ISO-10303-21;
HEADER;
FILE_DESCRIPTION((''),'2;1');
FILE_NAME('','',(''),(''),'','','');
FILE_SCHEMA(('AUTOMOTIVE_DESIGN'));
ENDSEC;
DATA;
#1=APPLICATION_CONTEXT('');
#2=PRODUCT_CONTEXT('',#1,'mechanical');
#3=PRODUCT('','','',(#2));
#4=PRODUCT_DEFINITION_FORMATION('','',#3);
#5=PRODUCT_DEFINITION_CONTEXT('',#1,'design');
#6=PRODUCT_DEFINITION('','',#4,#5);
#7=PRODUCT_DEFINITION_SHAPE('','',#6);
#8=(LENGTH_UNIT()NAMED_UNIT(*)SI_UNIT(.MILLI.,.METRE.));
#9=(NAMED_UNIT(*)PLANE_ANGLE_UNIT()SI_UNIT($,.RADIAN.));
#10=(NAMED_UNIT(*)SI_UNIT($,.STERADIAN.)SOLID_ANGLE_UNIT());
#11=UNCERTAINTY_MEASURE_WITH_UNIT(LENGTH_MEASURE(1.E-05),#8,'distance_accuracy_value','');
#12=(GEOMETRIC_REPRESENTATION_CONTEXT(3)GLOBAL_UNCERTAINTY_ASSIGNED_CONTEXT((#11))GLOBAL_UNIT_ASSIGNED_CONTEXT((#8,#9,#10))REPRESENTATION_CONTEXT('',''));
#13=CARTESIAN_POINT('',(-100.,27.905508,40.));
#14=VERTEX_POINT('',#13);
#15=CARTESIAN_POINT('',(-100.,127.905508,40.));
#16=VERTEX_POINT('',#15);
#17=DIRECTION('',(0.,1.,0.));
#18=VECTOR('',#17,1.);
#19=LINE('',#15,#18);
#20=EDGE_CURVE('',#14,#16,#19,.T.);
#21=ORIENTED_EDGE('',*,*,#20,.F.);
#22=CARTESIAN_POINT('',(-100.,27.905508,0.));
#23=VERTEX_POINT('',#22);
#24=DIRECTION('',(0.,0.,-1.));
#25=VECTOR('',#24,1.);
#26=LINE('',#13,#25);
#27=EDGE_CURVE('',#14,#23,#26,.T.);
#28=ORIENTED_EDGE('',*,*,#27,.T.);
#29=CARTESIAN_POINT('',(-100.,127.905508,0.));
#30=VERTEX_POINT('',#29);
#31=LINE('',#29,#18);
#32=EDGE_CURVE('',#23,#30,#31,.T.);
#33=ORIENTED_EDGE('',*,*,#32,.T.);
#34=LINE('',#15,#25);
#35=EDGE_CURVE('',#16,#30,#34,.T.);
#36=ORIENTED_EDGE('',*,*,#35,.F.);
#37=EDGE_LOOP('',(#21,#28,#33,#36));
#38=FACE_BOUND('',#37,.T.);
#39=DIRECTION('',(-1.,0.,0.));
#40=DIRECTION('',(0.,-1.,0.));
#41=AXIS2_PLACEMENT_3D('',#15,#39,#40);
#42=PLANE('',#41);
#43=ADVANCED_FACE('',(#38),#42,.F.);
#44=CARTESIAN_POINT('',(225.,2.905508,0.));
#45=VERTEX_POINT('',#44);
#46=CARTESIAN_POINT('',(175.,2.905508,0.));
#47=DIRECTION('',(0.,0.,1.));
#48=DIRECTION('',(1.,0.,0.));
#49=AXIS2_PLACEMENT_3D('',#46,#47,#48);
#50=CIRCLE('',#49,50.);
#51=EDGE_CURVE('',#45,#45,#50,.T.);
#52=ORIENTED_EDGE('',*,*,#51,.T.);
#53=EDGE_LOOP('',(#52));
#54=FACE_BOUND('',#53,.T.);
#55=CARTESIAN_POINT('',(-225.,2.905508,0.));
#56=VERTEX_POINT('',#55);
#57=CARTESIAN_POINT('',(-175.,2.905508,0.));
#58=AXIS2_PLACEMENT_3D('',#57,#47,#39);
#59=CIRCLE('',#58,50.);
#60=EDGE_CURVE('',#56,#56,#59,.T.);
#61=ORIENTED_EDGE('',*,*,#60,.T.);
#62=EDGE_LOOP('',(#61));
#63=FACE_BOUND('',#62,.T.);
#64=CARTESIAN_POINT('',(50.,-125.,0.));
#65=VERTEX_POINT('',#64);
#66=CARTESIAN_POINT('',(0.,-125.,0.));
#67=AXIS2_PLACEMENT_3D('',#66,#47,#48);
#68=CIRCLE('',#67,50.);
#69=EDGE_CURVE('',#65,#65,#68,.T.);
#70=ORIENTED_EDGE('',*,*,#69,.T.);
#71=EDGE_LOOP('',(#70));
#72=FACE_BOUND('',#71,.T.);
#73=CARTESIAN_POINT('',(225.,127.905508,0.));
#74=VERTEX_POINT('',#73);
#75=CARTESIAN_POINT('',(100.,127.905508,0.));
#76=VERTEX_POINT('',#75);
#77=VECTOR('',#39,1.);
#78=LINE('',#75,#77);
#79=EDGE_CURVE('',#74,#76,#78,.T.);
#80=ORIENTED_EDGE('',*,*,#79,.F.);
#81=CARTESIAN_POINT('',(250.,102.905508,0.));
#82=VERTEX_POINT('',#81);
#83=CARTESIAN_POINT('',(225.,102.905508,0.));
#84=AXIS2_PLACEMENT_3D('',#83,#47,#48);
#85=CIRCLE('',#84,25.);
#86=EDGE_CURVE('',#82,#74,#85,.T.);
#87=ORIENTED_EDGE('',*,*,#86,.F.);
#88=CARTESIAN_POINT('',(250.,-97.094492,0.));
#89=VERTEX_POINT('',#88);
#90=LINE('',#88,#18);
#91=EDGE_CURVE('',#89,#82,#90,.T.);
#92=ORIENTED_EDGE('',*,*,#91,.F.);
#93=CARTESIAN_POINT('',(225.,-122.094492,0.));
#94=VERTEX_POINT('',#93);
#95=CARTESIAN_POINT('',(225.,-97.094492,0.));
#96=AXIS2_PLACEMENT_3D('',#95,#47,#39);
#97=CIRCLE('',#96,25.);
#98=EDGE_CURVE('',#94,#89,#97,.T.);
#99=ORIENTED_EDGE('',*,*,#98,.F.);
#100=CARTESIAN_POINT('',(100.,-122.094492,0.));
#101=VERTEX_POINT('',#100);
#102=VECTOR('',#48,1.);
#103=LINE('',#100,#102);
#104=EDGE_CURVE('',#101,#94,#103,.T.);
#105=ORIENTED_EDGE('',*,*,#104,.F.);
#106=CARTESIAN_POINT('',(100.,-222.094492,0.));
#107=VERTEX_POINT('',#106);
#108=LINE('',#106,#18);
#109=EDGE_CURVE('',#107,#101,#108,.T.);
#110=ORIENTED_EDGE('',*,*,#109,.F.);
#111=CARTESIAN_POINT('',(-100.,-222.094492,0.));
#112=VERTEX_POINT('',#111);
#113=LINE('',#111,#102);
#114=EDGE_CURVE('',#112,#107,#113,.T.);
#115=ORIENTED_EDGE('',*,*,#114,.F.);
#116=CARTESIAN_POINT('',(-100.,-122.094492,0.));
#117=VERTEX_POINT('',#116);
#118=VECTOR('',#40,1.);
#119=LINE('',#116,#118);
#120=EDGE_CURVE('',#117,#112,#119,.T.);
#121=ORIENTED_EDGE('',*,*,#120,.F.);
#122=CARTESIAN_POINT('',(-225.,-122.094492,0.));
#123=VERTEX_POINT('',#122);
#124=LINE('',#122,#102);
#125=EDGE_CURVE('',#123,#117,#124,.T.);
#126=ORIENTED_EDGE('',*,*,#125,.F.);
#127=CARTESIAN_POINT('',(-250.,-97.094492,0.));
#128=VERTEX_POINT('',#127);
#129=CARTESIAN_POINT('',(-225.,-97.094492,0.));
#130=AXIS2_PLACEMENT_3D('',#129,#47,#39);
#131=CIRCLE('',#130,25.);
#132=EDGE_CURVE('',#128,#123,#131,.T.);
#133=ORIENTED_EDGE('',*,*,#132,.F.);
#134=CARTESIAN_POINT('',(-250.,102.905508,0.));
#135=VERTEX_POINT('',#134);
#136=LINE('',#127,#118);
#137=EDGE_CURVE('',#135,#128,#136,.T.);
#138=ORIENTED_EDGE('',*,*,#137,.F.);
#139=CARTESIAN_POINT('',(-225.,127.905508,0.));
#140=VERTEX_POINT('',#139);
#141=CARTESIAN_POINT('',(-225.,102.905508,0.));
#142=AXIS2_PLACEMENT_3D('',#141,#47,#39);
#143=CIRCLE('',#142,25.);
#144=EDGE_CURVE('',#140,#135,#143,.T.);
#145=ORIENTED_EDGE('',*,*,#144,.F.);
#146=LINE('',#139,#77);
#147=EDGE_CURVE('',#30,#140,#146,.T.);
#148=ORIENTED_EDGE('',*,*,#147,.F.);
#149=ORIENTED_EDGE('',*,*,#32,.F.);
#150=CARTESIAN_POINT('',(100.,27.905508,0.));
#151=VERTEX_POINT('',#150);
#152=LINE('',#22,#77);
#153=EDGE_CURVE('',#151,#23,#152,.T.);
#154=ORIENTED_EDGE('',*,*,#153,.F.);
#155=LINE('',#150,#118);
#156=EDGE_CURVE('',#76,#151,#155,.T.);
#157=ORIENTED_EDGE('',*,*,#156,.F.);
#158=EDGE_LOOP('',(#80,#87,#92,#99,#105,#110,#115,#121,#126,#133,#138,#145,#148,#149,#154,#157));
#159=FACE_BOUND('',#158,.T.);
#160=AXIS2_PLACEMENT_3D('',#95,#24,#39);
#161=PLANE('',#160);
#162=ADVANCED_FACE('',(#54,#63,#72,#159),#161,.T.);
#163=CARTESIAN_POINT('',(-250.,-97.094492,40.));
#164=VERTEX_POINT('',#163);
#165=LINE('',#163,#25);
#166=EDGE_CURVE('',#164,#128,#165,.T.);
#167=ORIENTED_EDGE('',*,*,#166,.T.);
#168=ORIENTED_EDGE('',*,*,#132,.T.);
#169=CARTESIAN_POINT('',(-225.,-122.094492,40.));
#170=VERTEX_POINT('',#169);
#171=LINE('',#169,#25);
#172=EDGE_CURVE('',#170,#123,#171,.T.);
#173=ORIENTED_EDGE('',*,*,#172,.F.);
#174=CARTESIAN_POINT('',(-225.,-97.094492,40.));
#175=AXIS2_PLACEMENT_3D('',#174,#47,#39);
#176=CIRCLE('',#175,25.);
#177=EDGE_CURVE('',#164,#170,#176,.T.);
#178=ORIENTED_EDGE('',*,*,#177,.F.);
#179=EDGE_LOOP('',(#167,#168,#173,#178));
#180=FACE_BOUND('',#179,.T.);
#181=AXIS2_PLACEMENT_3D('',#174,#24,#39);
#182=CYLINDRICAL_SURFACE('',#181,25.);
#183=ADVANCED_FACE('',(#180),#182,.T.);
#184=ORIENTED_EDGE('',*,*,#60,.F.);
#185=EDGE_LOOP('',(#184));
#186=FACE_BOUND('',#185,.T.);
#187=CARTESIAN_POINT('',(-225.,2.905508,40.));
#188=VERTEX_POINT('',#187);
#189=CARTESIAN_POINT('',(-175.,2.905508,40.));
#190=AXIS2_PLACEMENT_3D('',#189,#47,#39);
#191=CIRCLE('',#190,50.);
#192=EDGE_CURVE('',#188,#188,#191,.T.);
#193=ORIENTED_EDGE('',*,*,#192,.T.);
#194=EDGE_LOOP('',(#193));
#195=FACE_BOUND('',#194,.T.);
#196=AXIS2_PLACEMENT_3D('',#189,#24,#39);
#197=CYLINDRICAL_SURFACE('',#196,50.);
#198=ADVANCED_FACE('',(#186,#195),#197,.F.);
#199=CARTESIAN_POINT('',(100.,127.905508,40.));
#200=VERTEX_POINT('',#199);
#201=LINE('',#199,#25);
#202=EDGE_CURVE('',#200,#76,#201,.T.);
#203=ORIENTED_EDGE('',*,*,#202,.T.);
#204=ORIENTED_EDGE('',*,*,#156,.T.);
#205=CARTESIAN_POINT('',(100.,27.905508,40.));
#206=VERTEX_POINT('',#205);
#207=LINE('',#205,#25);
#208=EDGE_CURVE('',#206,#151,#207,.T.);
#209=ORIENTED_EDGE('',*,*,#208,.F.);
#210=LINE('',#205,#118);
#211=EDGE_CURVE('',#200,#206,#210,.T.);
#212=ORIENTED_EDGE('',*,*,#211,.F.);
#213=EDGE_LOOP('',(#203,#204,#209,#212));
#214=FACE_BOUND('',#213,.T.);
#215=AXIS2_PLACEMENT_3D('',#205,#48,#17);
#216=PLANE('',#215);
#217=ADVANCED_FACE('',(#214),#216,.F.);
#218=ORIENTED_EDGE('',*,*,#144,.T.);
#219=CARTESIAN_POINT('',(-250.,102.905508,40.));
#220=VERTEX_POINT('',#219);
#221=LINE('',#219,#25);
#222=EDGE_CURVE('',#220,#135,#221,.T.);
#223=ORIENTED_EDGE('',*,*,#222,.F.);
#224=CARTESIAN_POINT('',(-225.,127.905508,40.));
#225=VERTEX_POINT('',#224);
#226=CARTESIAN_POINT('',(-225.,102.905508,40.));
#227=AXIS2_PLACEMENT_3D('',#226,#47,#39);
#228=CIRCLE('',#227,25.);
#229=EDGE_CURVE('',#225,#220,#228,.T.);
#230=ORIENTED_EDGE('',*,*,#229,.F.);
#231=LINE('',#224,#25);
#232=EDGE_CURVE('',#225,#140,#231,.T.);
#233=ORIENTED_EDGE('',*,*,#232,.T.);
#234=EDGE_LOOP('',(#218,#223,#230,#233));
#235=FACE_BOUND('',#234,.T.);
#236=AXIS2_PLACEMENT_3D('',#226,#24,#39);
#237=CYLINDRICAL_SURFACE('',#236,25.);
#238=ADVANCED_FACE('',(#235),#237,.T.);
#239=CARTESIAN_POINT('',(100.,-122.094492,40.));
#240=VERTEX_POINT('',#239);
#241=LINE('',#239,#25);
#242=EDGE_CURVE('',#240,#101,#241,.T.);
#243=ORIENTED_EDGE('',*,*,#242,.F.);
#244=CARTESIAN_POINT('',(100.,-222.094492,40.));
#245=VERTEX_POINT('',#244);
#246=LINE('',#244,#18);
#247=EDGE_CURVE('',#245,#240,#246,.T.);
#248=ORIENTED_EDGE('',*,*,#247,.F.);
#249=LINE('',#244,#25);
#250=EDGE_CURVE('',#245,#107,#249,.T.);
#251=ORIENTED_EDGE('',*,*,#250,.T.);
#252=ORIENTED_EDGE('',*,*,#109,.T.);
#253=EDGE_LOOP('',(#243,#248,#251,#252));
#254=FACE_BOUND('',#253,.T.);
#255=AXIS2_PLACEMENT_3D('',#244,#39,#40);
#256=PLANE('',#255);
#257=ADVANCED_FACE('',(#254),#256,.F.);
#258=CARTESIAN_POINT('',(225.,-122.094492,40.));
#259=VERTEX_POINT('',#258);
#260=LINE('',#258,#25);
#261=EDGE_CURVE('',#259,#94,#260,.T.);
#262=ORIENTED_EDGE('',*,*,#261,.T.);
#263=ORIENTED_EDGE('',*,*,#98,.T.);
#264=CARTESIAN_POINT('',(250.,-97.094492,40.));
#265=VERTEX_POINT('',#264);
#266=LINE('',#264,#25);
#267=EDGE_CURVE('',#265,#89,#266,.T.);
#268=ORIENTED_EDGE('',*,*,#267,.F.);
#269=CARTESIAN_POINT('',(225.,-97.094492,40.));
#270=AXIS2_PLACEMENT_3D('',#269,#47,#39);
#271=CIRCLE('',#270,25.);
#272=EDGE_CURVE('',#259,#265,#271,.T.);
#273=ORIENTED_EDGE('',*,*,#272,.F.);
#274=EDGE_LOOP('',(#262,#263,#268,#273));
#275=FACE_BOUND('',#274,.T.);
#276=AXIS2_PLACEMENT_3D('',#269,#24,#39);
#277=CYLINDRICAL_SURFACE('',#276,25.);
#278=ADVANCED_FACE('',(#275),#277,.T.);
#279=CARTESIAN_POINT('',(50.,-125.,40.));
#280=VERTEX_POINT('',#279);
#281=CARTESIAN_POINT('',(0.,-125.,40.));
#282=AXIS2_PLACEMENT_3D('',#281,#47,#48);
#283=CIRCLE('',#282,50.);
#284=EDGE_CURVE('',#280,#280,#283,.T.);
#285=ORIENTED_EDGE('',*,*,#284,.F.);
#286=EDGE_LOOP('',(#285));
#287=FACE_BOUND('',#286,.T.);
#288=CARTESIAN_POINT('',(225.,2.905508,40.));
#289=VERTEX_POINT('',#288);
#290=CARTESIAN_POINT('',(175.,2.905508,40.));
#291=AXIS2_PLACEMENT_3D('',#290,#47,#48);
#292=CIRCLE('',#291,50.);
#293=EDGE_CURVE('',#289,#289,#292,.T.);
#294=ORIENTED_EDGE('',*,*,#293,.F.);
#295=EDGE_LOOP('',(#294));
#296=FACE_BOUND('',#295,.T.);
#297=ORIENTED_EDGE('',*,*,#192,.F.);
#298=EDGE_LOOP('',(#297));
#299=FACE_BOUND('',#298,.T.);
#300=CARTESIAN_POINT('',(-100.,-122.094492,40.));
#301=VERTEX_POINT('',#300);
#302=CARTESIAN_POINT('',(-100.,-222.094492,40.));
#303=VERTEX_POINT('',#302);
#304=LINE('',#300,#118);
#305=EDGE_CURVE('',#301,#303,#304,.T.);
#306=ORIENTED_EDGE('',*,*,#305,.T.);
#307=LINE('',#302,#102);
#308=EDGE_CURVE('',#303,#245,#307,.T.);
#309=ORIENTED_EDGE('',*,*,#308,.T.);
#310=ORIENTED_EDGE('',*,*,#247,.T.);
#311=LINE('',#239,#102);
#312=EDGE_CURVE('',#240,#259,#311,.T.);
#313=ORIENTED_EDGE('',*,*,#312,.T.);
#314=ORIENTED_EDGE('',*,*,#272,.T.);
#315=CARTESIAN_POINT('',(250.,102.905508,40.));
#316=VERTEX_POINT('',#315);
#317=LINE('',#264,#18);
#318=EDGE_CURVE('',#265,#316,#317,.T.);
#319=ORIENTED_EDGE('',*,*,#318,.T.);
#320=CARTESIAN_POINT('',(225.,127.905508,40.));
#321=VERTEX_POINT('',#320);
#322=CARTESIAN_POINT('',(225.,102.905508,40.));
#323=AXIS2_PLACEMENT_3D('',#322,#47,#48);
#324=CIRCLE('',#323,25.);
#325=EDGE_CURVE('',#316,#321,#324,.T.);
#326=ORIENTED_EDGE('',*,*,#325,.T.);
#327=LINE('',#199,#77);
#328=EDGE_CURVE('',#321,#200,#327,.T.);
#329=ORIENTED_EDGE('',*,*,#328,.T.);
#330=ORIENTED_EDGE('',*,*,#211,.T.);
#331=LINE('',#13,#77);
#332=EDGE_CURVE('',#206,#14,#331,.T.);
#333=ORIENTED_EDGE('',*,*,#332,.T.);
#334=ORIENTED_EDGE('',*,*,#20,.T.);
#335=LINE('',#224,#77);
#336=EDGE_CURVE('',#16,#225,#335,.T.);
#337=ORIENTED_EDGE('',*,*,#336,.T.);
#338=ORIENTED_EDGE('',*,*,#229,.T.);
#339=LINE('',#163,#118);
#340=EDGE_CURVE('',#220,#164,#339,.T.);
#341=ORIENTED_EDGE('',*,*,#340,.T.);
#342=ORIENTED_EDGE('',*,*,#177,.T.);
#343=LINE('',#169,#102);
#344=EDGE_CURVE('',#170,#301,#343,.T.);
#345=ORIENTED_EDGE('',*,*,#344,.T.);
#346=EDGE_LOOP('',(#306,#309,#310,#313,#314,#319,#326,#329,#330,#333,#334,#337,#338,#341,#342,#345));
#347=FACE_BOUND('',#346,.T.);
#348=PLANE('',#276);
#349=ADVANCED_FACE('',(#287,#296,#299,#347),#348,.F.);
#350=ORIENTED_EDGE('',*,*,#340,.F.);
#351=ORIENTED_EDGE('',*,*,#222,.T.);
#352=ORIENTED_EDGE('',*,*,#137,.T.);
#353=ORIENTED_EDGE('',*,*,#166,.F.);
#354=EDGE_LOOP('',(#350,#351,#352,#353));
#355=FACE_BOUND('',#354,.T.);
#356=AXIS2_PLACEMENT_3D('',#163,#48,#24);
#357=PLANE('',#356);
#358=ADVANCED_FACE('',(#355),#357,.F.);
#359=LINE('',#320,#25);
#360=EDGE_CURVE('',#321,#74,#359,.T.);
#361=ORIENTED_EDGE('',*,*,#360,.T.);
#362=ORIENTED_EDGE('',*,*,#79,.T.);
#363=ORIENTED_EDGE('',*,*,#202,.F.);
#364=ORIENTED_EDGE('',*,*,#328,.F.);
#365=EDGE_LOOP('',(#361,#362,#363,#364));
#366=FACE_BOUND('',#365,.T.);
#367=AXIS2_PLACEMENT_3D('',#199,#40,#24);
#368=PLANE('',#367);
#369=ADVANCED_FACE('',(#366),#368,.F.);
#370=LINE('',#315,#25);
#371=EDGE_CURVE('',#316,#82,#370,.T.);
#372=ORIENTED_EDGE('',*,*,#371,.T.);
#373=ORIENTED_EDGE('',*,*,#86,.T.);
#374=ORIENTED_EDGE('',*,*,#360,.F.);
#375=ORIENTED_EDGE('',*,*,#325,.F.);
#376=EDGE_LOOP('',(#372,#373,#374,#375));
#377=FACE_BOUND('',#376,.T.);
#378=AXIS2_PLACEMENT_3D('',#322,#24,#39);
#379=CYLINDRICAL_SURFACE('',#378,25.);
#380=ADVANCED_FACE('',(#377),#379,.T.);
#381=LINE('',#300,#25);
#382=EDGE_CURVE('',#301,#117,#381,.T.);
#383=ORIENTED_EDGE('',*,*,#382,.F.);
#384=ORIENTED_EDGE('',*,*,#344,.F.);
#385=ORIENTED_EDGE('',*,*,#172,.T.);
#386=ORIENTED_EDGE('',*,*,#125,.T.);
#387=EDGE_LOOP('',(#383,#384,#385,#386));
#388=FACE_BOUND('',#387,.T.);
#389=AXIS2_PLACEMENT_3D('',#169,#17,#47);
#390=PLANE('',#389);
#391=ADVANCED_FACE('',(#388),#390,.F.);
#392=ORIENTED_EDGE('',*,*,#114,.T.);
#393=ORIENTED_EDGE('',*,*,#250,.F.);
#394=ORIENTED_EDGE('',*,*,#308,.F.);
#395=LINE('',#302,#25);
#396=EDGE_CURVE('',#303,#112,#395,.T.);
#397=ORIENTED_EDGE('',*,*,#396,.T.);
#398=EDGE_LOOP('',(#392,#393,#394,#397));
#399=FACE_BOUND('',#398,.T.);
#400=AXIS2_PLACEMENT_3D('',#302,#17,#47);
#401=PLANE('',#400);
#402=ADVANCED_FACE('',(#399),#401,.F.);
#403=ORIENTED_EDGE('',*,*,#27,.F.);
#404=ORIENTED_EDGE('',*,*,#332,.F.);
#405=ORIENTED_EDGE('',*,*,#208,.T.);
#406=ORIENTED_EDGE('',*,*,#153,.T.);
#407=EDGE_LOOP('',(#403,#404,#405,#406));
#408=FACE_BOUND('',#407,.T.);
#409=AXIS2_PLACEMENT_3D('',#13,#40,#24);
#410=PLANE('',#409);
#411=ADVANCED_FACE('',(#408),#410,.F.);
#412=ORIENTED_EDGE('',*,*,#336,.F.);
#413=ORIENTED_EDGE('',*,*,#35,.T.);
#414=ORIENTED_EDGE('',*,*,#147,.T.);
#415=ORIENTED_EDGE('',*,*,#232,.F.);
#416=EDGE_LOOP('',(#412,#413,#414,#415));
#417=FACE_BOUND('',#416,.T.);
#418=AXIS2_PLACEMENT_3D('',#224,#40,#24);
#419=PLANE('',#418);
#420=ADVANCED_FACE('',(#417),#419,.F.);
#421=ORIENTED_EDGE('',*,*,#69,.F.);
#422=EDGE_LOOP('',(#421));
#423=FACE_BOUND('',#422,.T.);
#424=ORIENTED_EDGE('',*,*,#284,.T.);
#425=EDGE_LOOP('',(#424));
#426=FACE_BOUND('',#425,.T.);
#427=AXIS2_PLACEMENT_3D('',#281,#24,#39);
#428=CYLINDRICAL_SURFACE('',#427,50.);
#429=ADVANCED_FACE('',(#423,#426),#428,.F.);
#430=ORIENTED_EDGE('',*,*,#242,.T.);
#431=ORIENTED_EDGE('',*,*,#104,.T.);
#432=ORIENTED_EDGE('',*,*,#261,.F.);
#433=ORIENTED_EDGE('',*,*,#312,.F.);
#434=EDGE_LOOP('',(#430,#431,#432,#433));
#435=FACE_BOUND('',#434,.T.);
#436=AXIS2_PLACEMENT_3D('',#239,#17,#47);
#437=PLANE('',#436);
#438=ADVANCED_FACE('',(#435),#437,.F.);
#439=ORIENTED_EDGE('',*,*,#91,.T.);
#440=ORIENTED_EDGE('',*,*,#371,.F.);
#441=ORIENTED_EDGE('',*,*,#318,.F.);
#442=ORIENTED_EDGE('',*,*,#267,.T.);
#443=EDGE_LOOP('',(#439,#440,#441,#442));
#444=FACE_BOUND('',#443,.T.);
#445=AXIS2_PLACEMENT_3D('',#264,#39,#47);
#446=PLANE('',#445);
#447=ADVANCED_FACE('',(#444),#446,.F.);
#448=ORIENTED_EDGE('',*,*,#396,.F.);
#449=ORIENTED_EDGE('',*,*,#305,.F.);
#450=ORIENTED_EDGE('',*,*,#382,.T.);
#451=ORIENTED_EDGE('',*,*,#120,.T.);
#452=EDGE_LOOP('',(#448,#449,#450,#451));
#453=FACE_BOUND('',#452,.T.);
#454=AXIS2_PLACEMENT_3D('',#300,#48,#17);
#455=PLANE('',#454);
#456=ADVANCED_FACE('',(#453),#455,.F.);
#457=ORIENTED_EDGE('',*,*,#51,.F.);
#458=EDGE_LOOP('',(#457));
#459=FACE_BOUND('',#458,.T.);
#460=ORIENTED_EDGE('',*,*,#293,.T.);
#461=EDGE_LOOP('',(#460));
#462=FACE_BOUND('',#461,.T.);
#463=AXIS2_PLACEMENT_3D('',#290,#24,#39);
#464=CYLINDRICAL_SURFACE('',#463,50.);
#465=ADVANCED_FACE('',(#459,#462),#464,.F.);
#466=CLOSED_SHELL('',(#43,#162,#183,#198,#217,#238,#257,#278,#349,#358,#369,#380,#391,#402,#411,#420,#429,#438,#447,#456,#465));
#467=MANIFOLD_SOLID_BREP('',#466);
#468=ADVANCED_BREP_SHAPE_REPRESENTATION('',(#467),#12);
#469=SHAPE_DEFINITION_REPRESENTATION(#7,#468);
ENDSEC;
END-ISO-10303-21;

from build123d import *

# Parameters (mm, degrees)
SKETCH1_R           = 50
BOSS_EXTRUDE1_DEPTH = 40


with BuildPart() as part:
    # Sketch1 → Boss-Extrude1 (new body)
    with BuildSketch(Plane.XY):
        with BuildLine():
            Line((-100, -122.09449171), (-100, -222.09449171))
            Line((-100, -222.09449171), (100, -222.09449171))
            Line((100, -222.09449171), (100, -122.09449171))
            Line((100, -122.09449171), (225, -122.09449171))
            ThreePointArc((225, -122.09449171), (242.67766953, -114.772161239), (250, -97.09449171))
            Line((250, -97.09449171), (250, 102.90550829))
            ThreePointArc((250, 102.90550829), (242.67766953, 120.58317782), (225, 127.90550829))
            Line((225, 127.90550829), (100, 127.90550829))
            Line((100, 127.90550829), (100, 27.90550829))
            Line((100, 27.90550829), (-100, 27.90550829))
            Line((-100, 27.90550829), (-100, 127.90550829))
            Line((-100, 127.90550829), (-225, 127.90550829))
            ThreePointArc((-225, 127.90550829), (-242.67766953, 120.58317782), (-250, 102.90550829))
            Line((-250, 102.90550829), (-250, -97.09449171))
            ThreePointArc((-250, -97.09449171), (-242.67766953, -114.772161239), (-225, -122.09449171))
            Line((-225, -122.09449171), (-100, -122.09449171))
        make_face()
        with Locations((0, -125)):
            Circle(SKETCH1_R, mode=Mode.SUBTRACT)
        with Locations((175, 2.90550829)):
            Circle(SKETCH1_R, mode=Mode.SUBTRACT)
        with Locations(Location((-175, 2.90550829, 0), (0, 0, 180))):
            Circle(SKETCH1_R, mode=Mode.SUBTRACT)
    extrude(amount=BOSS_EXTRUDE1_DEPTH)


solid = part.part
